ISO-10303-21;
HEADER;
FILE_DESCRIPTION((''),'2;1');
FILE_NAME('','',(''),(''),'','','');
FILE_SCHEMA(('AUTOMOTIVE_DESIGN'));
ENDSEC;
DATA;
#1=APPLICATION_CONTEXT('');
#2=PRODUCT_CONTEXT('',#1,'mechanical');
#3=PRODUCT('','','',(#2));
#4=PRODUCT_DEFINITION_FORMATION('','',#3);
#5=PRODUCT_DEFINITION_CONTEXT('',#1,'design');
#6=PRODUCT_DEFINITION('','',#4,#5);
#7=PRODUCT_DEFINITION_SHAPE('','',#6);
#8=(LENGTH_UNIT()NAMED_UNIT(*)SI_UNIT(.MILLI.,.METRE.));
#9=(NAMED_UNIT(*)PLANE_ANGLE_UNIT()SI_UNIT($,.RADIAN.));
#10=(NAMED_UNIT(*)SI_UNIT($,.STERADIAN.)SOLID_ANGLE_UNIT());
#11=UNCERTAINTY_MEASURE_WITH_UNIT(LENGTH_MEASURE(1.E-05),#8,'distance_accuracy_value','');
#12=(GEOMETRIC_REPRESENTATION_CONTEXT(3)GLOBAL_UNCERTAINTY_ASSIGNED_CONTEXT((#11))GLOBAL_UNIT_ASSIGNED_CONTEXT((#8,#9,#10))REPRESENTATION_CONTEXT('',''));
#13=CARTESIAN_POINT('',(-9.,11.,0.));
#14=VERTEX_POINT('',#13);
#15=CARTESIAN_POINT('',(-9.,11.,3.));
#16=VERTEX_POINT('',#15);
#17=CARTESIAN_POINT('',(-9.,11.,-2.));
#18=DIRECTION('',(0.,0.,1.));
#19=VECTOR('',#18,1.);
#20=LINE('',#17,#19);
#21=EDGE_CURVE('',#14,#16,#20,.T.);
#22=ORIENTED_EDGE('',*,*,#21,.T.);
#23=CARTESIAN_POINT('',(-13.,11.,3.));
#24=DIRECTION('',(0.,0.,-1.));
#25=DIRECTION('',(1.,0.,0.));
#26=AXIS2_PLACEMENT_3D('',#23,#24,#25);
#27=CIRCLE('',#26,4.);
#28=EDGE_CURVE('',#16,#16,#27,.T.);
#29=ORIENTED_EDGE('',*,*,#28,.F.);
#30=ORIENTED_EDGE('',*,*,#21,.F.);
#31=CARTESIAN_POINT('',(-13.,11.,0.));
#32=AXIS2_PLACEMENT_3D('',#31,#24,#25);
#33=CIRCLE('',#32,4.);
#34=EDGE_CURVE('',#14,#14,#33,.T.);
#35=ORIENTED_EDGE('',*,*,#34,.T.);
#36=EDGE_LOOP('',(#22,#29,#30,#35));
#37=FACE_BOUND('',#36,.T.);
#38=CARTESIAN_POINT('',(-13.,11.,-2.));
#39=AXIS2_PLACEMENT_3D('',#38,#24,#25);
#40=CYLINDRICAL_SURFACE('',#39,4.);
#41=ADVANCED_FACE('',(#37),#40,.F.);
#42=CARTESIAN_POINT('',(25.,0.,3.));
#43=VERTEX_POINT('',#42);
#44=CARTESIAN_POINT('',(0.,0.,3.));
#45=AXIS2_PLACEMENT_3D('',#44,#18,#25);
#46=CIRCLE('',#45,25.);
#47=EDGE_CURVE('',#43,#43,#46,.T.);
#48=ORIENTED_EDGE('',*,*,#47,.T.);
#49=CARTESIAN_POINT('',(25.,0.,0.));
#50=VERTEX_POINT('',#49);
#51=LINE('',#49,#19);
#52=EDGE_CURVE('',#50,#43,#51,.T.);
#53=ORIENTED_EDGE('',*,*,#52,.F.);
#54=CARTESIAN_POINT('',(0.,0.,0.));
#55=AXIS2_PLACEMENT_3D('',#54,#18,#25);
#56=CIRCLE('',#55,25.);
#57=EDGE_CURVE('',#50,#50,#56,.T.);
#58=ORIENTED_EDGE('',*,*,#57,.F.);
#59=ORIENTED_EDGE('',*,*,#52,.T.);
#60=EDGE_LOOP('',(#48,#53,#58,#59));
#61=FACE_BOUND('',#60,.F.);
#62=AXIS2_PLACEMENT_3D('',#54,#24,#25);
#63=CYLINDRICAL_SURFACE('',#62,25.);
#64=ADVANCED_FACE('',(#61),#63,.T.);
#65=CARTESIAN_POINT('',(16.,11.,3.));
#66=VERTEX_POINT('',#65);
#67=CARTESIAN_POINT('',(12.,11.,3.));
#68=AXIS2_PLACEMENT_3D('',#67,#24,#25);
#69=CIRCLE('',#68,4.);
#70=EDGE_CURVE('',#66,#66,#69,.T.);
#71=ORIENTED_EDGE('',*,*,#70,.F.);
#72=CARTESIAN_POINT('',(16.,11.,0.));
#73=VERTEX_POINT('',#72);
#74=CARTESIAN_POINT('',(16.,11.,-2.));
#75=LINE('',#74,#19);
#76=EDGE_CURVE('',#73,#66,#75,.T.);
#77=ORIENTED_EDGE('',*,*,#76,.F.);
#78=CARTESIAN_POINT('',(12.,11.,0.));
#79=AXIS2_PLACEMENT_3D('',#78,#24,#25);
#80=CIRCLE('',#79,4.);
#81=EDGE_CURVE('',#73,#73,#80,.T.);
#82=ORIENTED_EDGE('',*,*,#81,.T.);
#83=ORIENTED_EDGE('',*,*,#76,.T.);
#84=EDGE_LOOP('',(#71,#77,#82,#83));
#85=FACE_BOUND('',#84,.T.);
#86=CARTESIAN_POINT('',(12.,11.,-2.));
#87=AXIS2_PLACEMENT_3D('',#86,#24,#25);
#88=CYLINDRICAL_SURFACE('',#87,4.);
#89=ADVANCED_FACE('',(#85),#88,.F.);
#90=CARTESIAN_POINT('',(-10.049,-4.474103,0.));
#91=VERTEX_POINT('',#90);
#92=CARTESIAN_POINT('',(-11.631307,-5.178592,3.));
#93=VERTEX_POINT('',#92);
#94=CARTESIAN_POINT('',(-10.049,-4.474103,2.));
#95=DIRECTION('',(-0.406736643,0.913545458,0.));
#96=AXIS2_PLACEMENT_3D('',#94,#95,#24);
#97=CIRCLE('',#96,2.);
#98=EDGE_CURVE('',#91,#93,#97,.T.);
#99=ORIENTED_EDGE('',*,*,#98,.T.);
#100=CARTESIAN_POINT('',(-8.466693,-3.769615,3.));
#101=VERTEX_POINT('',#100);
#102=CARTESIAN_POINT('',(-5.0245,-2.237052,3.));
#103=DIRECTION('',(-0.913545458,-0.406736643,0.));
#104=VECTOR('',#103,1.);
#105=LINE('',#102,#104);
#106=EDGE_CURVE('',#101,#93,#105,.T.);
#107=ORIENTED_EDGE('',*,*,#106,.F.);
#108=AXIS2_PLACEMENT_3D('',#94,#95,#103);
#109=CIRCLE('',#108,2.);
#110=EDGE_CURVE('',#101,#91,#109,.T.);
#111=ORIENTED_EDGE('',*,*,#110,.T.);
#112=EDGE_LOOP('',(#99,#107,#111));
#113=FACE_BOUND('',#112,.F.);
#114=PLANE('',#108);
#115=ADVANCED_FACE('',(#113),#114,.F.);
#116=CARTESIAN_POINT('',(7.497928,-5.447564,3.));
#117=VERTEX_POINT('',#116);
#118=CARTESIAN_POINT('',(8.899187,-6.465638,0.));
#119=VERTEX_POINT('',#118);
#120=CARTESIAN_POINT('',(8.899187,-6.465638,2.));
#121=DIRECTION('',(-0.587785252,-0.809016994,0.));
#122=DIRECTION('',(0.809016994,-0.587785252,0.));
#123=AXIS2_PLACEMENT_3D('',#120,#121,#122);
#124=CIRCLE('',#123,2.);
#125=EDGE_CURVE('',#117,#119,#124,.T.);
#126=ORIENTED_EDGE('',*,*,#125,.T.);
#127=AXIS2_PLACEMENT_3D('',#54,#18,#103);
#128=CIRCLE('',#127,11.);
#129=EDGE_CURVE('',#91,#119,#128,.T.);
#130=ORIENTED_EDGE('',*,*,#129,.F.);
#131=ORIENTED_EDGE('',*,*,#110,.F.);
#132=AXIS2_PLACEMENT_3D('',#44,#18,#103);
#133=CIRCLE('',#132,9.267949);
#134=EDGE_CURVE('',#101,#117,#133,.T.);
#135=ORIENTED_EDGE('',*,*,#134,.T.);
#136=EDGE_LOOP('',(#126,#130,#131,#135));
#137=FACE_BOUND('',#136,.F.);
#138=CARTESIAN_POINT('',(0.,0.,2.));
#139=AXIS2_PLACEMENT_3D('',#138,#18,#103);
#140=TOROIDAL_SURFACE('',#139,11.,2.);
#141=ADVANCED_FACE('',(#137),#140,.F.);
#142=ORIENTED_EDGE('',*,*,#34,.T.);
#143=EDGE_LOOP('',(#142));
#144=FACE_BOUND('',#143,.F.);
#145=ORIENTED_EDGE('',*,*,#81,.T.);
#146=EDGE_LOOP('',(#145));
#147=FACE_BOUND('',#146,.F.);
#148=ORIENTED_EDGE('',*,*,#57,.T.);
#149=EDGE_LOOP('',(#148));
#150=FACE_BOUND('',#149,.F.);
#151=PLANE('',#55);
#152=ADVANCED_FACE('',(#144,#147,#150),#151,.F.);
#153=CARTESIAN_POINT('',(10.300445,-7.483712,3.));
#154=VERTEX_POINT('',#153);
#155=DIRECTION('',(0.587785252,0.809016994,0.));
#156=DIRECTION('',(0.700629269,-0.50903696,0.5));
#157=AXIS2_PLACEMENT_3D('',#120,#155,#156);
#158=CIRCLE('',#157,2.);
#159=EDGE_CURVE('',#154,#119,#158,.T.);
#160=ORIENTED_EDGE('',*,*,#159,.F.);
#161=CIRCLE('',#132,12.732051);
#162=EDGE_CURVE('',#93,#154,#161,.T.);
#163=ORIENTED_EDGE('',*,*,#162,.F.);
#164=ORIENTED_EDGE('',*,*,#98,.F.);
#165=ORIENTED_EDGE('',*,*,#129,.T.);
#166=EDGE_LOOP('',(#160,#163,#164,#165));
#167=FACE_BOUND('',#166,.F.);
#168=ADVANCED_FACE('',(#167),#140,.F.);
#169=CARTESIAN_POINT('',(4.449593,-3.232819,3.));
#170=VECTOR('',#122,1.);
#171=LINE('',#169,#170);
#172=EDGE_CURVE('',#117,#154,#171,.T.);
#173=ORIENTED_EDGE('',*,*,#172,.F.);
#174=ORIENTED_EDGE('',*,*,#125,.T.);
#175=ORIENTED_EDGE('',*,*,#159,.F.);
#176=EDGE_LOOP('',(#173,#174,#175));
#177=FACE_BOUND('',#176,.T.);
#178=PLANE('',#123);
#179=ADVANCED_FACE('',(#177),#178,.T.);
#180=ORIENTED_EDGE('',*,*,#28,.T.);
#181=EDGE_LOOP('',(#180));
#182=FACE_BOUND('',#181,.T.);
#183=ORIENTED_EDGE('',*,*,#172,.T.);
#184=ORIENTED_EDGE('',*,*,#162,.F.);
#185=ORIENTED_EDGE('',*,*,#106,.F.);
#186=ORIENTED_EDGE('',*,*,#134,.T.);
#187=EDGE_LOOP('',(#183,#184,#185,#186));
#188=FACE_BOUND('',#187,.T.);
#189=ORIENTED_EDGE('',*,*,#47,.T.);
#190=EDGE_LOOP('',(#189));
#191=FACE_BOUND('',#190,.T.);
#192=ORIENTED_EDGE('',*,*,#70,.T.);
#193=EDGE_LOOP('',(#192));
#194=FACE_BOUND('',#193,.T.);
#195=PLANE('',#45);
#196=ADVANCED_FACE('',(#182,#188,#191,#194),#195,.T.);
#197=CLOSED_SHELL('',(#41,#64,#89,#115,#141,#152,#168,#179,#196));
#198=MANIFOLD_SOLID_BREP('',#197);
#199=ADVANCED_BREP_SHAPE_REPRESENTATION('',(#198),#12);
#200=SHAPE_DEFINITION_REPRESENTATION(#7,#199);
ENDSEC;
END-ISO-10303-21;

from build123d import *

# Parameters (mm, degrees)
TORUS_R               = 2
TORUS_ANGLE           = 120
TORUS_PLACEMENT_ANGLE = 204
CYLINDER002_R         = 4
CYLINDER002_DEPTH     = 10
CYLINDER001_R         = 4
CYLINDER001_DEPTH     = 10
CYLINDER_R            = 25
CYLINDER_DEPTH        = 3


with BuildPart() as toro:
    # Torus → Torus (revolve)
    with BuildSketch(Plane.XZ):
        with Locations((11, 0)):
            Circle(TORUS_R)
    revolve(axis=Axis((0, 0, 0), (0, 0, 1)), revolution_arc=TORUS_ANGLE)


with BuildPart() as toro_1:
    # Torus placement: moved
    add(toro.part.moved(Location((0, 0, 2))).rotate(Axis((0, 0, 2), (0, 0, 1)), TORUS_PLACEMENT_ANGLE))


with BuildPart() as cilindro002:
    # Cylinder002 → Cylinder002 (new body)
    with BuildSketch(Plane(origin=(12, 11, -2), x_dir=(1, 0, 0), z_dir=(0, 0, 1))):
        Circle(CYLINDER002_R)
    extrude(amount=CYLINDER002_DEPTH)


with BuildPart() as fusion:
    # Cylinder001 → Cylinder001 (new body)
    with BuildSketch(Plane(origin=(-13, 11, -2), x_dir=(1, 0, 0), z_dir=(0, 0, 1))):
        Circle(CYLINDER001_R)
    extrude(amount=CYLINDER001_DEPTH)

    # Fusion: union Cilindro002
    add(cilindro002.part)


with BuildPart() as cut001:
    # Cylinder → Cylinder (new body)
    with BuildSketch(Plane.XY):
        Circle(CYLINDER_R)
    extrude(amount=CYLINDER_DEPTH)

    # Cut: cut Fusion
    add(fusion.part, mode=Mode.SUBTRACT)

    # Cut001: cut Toro
    add(toro_1.part, mode=Mode.SUBTRACT)


solid = cut001.part
